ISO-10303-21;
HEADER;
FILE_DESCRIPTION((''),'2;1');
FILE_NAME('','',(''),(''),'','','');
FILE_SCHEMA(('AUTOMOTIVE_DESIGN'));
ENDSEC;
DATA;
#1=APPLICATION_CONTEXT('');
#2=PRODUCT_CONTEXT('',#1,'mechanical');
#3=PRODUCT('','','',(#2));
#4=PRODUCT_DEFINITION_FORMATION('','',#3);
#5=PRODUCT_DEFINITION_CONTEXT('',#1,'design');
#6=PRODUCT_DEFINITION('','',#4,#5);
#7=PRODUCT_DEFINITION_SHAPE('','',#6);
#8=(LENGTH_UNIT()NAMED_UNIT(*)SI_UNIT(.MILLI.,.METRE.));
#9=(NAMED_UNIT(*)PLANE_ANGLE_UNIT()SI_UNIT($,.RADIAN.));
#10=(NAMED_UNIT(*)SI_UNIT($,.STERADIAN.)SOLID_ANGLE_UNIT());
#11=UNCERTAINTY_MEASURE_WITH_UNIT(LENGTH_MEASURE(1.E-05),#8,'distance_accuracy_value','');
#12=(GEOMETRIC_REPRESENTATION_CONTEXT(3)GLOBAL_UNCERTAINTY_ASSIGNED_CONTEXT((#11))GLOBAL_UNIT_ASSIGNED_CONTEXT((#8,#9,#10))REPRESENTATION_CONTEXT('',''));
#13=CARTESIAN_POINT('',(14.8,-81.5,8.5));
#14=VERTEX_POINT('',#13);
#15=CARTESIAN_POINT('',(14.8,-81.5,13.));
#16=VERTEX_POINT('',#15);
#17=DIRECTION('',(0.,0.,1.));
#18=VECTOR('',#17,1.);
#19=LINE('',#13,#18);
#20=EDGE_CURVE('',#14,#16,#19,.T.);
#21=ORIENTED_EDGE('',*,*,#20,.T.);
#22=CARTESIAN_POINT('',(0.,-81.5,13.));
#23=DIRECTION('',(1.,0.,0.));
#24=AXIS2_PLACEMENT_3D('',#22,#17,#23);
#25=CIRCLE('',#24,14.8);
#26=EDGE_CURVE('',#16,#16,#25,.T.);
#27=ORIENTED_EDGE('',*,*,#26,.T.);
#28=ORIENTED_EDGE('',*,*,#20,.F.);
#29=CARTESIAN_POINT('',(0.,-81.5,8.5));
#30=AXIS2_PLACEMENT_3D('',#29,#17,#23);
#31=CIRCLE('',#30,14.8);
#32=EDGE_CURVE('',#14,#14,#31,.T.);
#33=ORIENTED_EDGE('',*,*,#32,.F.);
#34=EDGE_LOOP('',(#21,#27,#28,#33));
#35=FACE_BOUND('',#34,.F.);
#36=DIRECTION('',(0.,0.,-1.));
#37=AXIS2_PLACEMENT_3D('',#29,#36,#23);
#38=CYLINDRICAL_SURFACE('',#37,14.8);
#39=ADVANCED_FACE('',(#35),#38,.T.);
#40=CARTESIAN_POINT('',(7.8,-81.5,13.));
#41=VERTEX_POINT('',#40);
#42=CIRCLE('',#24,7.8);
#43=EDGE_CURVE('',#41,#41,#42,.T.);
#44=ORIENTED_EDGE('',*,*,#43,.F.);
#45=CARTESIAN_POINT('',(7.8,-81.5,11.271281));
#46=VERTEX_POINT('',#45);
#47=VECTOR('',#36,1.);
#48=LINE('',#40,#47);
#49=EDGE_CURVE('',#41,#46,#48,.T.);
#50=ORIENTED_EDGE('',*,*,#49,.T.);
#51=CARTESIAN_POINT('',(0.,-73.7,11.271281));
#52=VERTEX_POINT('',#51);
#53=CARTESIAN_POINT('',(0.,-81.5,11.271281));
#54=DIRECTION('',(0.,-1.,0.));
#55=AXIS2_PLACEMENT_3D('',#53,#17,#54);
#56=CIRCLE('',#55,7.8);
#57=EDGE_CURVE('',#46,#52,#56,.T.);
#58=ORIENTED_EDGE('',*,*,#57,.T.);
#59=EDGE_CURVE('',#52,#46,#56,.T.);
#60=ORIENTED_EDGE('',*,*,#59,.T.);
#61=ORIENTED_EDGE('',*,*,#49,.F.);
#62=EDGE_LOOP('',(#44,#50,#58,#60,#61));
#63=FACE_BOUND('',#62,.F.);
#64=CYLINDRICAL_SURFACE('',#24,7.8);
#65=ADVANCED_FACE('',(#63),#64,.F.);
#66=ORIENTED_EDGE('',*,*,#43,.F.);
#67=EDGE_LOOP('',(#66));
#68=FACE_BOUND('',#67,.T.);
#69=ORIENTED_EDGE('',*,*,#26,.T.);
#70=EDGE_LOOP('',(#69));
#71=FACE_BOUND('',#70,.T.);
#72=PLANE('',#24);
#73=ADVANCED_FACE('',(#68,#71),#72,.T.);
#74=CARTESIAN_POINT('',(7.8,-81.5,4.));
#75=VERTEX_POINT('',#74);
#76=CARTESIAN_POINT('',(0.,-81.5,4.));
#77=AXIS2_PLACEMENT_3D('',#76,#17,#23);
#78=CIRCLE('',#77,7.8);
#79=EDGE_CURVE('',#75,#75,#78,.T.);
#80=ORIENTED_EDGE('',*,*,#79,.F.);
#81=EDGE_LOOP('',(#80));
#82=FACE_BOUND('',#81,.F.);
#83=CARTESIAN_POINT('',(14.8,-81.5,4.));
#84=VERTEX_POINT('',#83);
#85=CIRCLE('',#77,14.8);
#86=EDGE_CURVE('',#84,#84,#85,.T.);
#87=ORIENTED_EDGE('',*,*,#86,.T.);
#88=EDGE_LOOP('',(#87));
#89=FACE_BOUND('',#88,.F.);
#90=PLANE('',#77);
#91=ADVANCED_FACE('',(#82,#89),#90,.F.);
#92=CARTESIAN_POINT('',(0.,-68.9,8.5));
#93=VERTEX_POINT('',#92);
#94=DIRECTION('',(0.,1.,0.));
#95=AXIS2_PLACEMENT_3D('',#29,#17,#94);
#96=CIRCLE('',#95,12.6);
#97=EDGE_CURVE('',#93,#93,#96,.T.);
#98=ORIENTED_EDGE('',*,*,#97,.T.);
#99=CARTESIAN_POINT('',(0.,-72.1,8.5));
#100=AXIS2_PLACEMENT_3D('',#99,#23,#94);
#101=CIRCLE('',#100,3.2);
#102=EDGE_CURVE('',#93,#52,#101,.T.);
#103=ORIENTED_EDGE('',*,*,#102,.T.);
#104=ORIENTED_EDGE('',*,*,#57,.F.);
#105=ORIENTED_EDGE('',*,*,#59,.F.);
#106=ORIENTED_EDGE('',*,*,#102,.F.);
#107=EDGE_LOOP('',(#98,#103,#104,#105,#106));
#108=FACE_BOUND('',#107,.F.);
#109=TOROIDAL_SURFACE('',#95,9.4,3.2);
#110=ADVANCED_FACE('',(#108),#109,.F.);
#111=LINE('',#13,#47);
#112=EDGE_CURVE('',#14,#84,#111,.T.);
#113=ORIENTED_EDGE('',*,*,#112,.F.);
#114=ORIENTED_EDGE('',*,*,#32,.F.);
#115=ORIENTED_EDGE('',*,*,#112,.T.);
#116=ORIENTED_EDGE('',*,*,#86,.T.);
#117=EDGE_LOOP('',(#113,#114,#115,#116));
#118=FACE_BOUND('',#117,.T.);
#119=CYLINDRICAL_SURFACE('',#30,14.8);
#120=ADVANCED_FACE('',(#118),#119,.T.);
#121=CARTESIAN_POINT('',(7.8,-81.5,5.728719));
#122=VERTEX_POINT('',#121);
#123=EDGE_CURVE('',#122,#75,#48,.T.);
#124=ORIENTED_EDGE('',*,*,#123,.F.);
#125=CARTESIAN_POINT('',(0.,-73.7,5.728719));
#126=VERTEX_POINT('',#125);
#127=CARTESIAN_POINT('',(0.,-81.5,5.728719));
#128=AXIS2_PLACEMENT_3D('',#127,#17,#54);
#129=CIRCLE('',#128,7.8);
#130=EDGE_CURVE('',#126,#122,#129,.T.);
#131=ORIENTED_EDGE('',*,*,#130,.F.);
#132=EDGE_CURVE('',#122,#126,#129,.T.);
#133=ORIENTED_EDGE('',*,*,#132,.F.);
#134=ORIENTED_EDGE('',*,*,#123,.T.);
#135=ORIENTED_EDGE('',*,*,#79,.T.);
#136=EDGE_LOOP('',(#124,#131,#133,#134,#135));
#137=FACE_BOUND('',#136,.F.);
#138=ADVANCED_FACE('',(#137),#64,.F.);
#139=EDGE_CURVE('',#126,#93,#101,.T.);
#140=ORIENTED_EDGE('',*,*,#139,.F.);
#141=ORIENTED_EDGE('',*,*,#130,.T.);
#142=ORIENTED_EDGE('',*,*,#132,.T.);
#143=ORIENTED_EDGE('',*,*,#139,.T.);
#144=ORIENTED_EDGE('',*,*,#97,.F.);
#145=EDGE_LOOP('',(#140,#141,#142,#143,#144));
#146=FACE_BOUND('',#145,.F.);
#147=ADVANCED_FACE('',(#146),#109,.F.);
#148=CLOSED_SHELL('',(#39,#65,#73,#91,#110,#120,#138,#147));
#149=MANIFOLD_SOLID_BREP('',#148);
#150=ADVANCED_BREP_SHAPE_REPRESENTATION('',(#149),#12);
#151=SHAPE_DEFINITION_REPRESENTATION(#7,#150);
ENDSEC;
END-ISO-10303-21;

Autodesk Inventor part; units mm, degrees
ref_plane "YZ Plane" through (0, 0, 0) normal (1, 0, 0) x (0, 1, 0)
ref_plane "XZ Plane" through (0, 0, 0) normal (0, 1, 0) x (-1, 0, 0)
ref_plane "XY Plane" through (0, 0, 0) normal (0, 0, 1) x (1, 0, 0)
ref_plane "작업 평면1" through (0, -41, 8.5) normal (0, 0, 1) x (1, 0, 0)
sketch "스케치1" plane through (0, -41, 8.5) normal (0, 0, 1) x (1, 0, 0)
  circle A0 centre (0, -40.5) radius 15 projected
  circle A1 centre (0, -40.5) radius 5 projected
  circle A2 centre (0, -40.5) radius 14.8
  circle A3 centre (0, -40.5) radius 5.3
  circle A4 centre (0, -40.5) radius 13.1
  circle A5 centre (0, -40.5) radius 7
  point P0 (0, 41)
  dimension "d0" = 0.2
  dimension "d1" = 0.3
  dimension "d2" = 1.7
  dimension "d3" = 1.7
extrude "돌출1" add sketch "스케치1" along normal mid plane 9 contours A2
ref_plane "작업 평면2" through (0, -81.5, 8.5) normal (0, 0, 1) x (1, 0, 0)
sketch "스케치3" plane through (0, -81.5, 13) normal (0, 0, 1) x (1, 0, 0)
  circle A0 centre (0, 0) radius 13.1 projected
  circle A1 centre (0, 0) radius 7.8
  point P0 (0, 81.5)
  dimension "d11" = 5.3
extrude "돌출2" add sketch "스케치3" against normal up to surface (9 mm away)
sketch "스케치6" plane through (0, 0, 0) normal (1, 0, 0) x (0, 1, 0)
  line L0 (-96.3, 4) -> (-66.7, 4) projected
  line L1 (-66.7, 13) -> (-96.3, 13) projected
  line L2 (-66.7, 4) -> (-66.7, 13) projected
  line L3 (-96.3, 4) -> (-96.3, 13) projected
  circle A0 centre (-72.1, 8.5) radius 3.2
  line L4 (-81.5, -2.6) -> (-81.5, 15.6) projected
  line L5 (-68.9, 15.8649) -> (-68.9, 0.3346)
  circle A1 centre (-72.1, 8.5) radius 2.8 construction
  line L6 (-74.9, 15.3235) -> (-74.9, 0.5874) construction
  circle A2 centre (-71.7, 8.5) radius 2.8 construction
  line L7 (-74.5, 4.469) -> (-74.5, 12.0599) construction
  point P0 (0, 0)
  dimension "d19" = 6.4
  dimension "d21" = 4.5
  dimension "d22" = 29.6
  dimension "d23" = 2.2
  dimension "d25" = 5.6
  dimension "d26" = 5.6
revolve "회전2" cut sketch "스케치6" angle 360 about axis through (0, -81.5, 8.5) along (0, 0, 1) contours A0
properties part number "custom_bearing" material "고무, 검은색"
